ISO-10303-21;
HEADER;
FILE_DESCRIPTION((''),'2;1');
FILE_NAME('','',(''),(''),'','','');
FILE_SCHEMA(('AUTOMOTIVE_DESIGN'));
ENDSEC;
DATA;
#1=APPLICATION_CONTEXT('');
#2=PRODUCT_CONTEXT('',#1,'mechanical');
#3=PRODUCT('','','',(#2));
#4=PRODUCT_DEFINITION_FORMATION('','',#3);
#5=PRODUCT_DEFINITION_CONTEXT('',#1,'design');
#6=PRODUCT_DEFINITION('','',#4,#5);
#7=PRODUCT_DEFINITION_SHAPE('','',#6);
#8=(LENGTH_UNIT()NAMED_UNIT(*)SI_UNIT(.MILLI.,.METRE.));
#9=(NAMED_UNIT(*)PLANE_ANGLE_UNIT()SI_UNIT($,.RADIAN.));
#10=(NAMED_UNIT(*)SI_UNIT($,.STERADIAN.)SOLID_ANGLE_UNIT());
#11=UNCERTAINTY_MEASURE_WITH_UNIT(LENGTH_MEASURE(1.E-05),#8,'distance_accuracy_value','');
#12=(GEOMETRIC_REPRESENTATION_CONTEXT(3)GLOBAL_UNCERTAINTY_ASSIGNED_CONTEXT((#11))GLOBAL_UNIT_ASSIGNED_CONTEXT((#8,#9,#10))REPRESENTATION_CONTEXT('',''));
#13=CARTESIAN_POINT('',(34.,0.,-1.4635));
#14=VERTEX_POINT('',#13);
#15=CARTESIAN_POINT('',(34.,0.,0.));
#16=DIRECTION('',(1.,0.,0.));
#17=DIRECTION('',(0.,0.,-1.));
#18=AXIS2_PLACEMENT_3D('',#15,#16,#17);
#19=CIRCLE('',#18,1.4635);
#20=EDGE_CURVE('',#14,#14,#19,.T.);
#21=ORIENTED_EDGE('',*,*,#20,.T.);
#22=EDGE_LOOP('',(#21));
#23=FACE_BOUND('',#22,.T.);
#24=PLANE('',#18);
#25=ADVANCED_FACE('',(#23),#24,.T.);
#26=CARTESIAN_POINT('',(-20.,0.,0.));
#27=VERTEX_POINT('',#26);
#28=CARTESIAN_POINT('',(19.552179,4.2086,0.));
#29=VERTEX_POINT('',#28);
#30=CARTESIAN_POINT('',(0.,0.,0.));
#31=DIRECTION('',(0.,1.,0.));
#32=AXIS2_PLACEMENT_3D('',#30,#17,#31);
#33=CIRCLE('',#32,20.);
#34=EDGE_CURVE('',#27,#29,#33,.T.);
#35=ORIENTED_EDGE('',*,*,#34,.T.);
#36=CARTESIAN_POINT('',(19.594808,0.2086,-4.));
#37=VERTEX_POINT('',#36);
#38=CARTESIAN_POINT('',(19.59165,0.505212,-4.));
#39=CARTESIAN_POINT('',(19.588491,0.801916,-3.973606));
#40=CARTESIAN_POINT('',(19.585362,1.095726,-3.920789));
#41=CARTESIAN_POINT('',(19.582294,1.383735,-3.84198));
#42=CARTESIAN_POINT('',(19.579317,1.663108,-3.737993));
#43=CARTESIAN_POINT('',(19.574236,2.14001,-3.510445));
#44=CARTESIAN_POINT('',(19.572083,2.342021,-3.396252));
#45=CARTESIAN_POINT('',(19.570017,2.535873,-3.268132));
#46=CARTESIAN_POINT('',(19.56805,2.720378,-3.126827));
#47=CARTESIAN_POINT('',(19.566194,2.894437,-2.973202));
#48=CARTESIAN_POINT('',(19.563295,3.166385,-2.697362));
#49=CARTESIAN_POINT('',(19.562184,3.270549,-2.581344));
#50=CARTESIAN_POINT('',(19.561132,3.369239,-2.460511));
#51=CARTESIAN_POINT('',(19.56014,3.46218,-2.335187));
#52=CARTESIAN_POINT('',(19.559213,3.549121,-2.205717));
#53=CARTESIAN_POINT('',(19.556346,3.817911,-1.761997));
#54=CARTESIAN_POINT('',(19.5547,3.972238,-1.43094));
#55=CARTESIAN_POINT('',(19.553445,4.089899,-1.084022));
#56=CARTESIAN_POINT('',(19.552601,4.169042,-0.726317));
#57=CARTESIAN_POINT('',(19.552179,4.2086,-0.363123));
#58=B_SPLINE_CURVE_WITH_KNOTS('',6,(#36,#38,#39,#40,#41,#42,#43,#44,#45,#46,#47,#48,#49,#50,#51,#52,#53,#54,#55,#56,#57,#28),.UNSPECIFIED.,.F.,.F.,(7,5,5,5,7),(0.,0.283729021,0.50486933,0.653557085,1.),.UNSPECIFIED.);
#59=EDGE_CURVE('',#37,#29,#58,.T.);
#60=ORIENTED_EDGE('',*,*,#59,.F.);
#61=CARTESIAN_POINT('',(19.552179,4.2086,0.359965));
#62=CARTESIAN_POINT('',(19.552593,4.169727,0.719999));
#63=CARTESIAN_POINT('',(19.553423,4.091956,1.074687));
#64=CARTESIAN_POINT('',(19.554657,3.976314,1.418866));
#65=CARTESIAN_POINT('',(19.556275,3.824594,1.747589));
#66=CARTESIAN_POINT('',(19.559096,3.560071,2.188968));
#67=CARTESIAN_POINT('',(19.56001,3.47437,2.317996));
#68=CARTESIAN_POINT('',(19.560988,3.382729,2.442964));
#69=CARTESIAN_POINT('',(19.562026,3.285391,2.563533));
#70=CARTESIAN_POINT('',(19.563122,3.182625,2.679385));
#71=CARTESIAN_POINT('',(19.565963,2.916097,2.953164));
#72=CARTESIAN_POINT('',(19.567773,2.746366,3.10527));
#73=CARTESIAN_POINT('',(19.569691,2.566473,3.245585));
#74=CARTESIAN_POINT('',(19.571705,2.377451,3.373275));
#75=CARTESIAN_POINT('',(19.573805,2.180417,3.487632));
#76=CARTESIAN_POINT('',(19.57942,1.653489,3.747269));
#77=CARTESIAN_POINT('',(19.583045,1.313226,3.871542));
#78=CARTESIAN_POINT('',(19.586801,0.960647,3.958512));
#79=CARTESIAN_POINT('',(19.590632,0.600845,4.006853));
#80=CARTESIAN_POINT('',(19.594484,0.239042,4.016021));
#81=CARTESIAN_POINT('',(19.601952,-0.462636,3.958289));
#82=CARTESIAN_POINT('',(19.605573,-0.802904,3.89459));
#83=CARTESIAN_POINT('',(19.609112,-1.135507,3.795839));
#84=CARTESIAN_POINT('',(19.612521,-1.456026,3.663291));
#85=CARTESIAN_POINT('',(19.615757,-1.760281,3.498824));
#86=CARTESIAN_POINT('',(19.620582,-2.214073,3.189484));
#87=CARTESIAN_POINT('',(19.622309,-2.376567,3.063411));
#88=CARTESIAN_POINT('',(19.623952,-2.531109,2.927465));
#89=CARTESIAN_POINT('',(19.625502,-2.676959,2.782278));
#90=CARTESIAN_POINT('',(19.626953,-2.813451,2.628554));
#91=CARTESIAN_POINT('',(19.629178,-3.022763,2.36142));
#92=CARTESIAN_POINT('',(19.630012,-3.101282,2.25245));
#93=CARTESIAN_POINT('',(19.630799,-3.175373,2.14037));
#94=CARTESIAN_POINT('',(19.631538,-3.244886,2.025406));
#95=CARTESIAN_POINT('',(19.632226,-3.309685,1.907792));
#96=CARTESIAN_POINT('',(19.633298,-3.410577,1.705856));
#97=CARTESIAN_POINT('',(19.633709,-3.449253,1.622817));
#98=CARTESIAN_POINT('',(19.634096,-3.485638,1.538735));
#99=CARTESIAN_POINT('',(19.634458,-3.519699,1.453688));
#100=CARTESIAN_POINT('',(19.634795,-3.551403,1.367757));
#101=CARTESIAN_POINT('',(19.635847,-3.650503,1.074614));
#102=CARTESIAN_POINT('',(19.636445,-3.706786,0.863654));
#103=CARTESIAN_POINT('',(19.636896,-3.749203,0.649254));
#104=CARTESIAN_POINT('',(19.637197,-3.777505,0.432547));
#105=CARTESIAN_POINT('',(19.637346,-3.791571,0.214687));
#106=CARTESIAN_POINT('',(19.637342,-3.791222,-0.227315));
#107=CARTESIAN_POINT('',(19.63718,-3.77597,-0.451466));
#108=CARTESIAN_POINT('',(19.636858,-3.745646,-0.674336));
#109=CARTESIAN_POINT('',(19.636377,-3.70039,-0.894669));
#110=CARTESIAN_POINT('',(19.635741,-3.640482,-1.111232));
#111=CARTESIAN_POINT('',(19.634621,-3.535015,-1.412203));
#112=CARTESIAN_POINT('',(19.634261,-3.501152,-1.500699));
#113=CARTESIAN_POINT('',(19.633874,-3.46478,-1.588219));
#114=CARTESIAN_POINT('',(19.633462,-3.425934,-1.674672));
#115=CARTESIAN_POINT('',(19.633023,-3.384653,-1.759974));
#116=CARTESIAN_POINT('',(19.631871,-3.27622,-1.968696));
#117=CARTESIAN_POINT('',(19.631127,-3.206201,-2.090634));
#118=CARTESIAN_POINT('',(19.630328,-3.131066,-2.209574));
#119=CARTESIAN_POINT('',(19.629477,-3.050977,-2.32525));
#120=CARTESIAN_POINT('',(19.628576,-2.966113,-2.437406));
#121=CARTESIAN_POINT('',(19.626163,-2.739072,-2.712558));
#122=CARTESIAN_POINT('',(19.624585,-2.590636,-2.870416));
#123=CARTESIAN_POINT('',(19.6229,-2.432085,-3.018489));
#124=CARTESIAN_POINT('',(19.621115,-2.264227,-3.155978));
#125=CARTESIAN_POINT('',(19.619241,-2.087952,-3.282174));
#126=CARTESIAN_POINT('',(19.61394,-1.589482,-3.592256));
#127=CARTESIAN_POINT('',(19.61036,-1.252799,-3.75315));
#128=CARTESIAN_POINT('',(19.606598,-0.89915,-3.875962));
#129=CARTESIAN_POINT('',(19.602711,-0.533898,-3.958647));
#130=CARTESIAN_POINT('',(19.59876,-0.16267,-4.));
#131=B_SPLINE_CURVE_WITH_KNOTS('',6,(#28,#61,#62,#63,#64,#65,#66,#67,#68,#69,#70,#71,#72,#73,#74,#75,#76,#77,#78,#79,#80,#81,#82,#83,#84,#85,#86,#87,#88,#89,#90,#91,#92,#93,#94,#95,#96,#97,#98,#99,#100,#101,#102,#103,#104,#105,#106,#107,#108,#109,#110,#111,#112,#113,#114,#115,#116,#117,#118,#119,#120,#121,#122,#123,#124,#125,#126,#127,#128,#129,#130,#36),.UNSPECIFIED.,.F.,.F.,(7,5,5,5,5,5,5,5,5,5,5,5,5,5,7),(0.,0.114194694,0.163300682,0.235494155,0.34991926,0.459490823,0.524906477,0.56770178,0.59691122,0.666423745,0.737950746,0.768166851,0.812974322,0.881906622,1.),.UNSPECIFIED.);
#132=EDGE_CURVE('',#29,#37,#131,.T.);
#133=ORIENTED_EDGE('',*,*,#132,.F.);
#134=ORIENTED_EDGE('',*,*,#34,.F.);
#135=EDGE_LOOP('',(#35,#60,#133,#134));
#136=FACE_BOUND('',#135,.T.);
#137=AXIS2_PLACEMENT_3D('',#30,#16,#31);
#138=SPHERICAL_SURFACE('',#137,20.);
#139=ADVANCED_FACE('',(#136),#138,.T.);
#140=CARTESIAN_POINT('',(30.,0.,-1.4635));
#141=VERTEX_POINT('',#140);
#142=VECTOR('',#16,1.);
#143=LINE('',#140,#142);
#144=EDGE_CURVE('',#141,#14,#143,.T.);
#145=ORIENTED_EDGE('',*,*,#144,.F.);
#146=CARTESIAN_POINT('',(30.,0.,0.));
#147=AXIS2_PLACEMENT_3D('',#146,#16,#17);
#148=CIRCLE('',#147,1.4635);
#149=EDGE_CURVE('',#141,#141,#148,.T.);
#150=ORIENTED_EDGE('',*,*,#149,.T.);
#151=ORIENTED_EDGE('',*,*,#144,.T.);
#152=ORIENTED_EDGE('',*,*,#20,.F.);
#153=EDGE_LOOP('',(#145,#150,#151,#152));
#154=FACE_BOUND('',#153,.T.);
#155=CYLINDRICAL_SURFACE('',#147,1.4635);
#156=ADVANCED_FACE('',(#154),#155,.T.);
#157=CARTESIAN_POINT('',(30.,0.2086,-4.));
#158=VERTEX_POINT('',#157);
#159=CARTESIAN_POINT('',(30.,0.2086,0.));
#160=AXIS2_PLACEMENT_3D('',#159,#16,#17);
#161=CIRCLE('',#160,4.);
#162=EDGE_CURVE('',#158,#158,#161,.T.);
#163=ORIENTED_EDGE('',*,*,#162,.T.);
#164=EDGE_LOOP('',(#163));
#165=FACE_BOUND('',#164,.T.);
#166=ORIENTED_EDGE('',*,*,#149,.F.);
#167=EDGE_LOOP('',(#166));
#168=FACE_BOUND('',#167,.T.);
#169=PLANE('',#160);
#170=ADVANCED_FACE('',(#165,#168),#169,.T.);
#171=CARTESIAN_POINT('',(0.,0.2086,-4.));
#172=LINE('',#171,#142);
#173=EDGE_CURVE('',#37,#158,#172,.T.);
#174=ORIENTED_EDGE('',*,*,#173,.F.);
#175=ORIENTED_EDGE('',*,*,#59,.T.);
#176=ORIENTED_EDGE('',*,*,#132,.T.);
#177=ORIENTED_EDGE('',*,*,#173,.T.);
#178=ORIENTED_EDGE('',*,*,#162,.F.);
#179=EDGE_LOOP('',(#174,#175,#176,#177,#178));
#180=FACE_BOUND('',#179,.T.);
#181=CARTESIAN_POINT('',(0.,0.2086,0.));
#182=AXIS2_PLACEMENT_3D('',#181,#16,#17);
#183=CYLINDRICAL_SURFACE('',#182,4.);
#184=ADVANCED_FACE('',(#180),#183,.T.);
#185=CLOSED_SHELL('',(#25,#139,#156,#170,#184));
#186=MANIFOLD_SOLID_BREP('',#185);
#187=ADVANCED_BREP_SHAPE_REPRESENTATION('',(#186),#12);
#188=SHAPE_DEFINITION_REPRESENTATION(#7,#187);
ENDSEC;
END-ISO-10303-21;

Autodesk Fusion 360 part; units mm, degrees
sphere "SpherePrimitive1" add diameter 40 placed x (0, 1, 0) y (0, 0, 1) z (1, 0, 0) at (0, 0, 0)
cylinder "CylindrePrimitive1" add diameter 8 height 30 placed x (0, 0, -1) y (0, 1, 0) z (1, 0, 0) at (0, 0.2086, 0)
cylinder "CylindrePrimitive2" add diameter 3 height 4 placed x (0, 0, -1) y (0, 1, 0) z (1, 0, 0) at (30, 0, 0)
thread "Filetage1" "ISO Metric profile 3.0 M3x0.5 M3x0.5 6g" major diameter 2.927 minor diameter 2.3555 pitch 0.5 angle 60 resizes the face on face at (32.6667, -0.1494, -1.4925)
